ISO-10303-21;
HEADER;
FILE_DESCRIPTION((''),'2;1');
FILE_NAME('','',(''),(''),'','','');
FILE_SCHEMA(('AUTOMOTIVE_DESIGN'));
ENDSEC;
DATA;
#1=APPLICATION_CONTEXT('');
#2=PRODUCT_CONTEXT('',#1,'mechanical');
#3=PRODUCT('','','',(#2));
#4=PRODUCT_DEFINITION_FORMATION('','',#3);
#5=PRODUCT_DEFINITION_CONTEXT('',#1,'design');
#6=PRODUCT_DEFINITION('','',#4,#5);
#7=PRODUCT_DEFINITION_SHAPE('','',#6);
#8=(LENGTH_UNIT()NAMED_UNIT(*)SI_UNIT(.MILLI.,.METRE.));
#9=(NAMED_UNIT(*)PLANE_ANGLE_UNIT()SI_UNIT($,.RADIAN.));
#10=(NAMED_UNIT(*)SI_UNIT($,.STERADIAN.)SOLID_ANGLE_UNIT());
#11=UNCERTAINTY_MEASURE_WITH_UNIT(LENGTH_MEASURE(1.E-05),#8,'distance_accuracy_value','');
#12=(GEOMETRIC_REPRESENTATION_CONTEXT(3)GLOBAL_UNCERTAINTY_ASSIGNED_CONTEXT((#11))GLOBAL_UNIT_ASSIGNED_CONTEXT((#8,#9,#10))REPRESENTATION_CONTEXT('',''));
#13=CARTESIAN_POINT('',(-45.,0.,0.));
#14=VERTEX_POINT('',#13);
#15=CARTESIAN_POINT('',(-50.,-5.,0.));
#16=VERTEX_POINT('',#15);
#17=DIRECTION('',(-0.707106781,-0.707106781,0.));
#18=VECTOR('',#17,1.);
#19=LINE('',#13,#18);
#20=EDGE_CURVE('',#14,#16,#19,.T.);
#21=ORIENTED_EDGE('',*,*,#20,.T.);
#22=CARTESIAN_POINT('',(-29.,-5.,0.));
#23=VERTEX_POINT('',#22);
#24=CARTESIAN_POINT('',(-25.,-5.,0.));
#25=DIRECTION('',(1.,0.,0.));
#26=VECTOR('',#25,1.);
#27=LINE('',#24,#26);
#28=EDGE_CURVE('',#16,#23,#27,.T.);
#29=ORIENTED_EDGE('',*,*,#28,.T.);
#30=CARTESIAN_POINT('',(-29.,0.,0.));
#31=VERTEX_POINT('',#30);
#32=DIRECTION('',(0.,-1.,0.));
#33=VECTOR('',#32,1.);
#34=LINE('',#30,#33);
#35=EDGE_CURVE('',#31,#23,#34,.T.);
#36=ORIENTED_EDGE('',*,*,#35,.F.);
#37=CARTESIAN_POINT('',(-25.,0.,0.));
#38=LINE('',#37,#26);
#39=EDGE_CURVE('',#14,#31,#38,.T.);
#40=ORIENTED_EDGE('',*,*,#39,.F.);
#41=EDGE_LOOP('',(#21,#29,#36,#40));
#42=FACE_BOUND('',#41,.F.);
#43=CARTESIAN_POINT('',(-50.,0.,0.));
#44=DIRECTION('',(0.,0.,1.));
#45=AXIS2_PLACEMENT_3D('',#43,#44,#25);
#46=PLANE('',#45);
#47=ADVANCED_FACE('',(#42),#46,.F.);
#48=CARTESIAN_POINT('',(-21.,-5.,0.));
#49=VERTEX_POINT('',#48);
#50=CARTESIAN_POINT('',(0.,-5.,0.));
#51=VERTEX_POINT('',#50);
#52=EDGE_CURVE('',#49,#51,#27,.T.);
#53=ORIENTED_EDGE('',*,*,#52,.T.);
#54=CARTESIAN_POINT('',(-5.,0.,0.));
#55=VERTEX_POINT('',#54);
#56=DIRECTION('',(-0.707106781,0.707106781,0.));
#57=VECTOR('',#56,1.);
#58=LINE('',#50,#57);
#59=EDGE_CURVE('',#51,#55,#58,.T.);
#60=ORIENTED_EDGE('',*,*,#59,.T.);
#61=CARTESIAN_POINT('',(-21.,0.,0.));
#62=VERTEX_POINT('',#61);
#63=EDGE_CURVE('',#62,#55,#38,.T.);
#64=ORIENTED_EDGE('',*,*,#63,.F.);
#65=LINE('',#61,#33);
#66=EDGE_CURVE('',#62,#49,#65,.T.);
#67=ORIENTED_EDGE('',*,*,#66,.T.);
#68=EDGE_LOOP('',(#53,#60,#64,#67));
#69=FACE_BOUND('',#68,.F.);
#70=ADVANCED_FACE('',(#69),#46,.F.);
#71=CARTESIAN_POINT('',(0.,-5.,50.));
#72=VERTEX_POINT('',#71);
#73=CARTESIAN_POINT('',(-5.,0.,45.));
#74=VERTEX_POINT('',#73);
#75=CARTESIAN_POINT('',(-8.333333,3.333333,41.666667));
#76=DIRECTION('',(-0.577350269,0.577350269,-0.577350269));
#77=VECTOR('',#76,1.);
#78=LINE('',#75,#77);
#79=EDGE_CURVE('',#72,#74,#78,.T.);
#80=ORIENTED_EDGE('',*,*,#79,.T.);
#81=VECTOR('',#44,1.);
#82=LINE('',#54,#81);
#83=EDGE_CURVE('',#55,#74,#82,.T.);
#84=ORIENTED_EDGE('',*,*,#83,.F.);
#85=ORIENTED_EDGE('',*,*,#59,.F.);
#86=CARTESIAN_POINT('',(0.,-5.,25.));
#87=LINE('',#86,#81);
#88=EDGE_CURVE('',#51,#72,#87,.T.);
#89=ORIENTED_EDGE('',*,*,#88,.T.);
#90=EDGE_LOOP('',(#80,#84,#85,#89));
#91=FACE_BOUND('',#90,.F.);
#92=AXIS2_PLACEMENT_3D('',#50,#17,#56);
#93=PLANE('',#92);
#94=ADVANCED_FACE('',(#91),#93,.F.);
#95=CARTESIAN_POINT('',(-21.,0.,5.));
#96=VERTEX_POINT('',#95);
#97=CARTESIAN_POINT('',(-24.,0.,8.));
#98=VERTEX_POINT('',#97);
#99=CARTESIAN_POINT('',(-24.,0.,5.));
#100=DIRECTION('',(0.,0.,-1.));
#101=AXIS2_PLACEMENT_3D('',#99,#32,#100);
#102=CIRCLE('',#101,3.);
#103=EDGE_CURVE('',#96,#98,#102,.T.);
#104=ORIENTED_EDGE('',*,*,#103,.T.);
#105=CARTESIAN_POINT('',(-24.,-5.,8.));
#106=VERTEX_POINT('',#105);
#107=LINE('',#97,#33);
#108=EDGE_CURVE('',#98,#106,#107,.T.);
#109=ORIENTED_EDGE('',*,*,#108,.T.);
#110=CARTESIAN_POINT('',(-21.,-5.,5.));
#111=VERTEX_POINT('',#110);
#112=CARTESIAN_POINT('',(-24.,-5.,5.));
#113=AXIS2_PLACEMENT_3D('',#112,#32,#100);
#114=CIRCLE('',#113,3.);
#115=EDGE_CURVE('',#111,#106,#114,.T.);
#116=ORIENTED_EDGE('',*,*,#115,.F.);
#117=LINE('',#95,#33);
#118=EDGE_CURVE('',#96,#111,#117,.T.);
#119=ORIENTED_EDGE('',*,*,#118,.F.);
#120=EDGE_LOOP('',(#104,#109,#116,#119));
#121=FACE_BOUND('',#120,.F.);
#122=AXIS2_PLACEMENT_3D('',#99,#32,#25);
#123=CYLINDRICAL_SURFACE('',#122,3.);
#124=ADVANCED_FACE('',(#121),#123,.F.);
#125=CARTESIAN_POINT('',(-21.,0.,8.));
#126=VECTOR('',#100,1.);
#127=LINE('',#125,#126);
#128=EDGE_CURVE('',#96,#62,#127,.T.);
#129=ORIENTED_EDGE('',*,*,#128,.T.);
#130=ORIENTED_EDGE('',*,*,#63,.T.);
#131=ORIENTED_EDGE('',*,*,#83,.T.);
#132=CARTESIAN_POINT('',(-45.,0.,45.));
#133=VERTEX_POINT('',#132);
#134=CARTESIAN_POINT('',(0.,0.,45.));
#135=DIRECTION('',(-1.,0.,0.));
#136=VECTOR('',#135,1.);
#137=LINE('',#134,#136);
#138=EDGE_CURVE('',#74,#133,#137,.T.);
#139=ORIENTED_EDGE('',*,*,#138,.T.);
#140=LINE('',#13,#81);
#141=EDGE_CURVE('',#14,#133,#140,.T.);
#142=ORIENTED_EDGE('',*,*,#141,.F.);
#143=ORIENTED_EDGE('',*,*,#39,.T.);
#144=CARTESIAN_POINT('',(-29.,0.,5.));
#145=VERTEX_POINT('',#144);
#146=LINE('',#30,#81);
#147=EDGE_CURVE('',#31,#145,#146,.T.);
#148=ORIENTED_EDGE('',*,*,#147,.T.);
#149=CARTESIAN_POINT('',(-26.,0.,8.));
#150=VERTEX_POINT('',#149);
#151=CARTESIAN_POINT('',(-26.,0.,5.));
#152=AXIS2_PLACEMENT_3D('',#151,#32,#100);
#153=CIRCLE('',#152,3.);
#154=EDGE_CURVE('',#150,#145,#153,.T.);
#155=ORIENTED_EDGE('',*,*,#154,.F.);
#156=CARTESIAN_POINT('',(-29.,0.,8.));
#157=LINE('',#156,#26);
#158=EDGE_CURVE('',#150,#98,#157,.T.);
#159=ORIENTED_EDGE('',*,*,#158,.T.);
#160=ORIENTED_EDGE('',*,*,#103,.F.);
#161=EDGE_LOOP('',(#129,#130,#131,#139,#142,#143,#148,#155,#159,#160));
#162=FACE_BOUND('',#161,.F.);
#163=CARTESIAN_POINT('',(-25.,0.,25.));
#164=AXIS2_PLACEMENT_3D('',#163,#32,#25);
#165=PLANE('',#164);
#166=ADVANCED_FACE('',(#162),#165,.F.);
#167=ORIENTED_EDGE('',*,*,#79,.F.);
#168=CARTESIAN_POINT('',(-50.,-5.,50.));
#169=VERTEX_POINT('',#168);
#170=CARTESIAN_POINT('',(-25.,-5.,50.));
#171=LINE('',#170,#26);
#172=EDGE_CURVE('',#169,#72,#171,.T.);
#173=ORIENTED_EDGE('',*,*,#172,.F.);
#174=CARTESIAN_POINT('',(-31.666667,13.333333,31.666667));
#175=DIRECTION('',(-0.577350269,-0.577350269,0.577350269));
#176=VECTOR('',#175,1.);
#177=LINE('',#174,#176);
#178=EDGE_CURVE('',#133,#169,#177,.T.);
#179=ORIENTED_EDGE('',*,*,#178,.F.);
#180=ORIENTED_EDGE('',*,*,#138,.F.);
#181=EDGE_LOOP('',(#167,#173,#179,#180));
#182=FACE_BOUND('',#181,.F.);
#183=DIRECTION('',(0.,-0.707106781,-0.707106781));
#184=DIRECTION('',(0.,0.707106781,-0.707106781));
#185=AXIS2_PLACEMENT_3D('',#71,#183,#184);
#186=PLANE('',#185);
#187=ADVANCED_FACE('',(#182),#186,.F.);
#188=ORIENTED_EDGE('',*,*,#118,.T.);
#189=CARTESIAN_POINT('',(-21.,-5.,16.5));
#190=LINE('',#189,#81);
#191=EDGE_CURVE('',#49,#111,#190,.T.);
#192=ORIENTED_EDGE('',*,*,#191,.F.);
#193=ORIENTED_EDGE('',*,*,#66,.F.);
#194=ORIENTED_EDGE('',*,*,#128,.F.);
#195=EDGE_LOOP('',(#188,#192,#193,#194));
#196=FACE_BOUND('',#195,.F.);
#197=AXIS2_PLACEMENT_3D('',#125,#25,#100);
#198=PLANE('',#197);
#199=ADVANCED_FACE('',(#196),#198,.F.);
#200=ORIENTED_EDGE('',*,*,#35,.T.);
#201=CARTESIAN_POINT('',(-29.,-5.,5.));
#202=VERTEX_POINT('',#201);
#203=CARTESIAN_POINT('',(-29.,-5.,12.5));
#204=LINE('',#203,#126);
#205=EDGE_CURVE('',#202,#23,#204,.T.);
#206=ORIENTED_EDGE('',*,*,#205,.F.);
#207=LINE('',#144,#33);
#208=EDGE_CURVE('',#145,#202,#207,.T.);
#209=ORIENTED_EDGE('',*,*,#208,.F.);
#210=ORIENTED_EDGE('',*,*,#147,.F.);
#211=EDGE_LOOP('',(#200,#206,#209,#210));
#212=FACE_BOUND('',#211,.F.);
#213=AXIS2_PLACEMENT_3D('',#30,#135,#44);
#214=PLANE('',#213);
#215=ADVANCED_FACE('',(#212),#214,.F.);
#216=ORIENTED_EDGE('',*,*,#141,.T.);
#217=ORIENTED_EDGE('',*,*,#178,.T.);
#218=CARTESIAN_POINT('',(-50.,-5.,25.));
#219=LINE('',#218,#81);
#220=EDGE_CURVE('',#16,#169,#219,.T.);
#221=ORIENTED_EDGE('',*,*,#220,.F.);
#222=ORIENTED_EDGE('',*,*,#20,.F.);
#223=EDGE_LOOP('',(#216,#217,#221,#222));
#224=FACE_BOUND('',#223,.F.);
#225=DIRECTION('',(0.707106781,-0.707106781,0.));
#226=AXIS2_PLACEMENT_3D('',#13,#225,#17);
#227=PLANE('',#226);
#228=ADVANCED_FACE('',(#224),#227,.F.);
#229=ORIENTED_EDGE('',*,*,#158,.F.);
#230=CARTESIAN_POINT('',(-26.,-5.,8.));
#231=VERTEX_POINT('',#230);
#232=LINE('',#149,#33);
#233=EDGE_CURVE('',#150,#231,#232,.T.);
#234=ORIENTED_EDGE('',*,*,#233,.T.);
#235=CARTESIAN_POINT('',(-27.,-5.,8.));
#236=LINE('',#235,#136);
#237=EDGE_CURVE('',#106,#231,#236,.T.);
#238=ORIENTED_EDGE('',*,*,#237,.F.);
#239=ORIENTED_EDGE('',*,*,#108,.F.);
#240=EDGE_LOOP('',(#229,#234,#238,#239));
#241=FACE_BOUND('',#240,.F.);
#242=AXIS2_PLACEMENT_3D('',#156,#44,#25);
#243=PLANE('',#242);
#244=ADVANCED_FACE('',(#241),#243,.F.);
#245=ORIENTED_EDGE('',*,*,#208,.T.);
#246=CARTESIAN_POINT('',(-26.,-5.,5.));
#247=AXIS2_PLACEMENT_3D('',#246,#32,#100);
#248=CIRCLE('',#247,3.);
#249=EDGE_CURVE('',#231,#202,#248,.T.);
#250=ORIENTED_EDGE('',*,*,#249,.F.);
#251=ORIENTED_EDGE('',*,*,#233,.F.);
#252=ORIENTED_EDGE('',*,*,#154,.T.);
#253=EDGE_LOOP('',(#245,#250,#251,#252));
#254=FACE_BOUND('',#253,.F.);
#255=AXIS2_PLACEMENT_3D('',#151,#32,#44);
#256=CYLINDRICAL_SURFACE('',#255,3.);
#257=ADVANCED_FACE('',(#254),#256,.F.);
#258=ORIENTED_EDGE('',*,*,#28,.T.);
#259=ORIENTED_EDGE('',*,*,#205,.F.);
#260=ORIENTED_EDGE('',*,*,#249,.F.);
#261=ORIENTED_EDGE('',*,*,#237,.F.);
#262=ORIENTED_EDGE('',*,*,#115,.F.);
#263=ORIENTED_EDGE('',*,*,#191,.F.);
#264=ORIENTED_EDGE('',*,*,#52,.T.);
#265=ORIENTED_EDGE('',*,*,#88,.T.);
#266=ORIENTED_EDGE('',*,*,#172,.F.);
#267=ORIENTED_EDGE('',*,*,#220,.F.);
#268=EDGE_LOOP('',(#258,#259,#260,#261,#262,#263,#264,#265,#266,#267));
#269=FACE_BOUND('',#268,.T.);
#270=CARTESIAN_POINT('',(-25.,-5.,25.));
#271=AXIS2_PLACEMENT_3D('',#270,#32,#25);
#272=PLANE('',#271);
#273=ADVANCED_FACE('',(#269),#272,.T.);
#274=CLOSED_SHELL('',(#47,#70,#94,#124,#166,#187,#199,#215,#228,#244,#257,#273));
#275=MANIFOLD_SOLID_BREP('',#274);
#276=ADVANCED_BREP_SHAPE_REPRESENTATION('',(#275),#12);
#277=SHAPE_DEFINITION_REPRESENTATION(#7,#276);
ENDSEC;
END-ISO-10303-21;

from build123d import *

# Parameters (mm, degrees)
F0_W     = 50
F0_H     = 50
F1_DEPTH = 5
F3_DEPTH = 50
F5_DEPTH = 50
F7_DEPTH = 25
F8_R     = 3


with BuildPart() as f1:
    # F0 (on Front) → F1 (new body)
    with BuildSketch(Plane.XZ):
        with Locations((-25, 25)):
            Rectangle(F0_W, F0_H)
    extrude(amount=F1_DEPTH)

    # F2 (on face) → F3 (cut)
    with BuildSketch(Plane.YZ):
        Polygon((0, 45), (0, 50), (-5, 50), align=None)
    extrude(amount=-F3_DEPTH, mode=Mode.SUBTRACT)

    # F4 (on face) → F5 (cut)
    with BuildSketch(Plane(origin=(0, 0, 0), x_dir=(1, 0, 0), z_dir=(0, 0, -1))):
        Polygon((-45, 0), (-50, 5), (-50, 0), align=None)
        Polygon((-5, 0), (0, 0), (0, 5), align=None)
    extrude(amount=-F5_DEPTH, mode=Mode.SUBTRACT)

    # F6 (on face) → F7 (cut)
    with BuildSketch(Plane(origin=(0, 0, 0), x_dir=(-1, 0, 0), z_dir=(0, 1, 0))):
        Polygon((21, 0), (25, 0), (29, 0), (29, 8), (21, 8), align=None)
    extrude(amount=-F7_DEPTH, mode=Mode.SUBTRACT)

    # F8
    f8_edges = [f1.edges().sort_by_distance(p)[0] for p in [
        (-21, -2.5, 8),
        (-29, -2.5, 8),
    ]]
    fillet(f8_edges, radius=F8_R)


solid = f1.part
